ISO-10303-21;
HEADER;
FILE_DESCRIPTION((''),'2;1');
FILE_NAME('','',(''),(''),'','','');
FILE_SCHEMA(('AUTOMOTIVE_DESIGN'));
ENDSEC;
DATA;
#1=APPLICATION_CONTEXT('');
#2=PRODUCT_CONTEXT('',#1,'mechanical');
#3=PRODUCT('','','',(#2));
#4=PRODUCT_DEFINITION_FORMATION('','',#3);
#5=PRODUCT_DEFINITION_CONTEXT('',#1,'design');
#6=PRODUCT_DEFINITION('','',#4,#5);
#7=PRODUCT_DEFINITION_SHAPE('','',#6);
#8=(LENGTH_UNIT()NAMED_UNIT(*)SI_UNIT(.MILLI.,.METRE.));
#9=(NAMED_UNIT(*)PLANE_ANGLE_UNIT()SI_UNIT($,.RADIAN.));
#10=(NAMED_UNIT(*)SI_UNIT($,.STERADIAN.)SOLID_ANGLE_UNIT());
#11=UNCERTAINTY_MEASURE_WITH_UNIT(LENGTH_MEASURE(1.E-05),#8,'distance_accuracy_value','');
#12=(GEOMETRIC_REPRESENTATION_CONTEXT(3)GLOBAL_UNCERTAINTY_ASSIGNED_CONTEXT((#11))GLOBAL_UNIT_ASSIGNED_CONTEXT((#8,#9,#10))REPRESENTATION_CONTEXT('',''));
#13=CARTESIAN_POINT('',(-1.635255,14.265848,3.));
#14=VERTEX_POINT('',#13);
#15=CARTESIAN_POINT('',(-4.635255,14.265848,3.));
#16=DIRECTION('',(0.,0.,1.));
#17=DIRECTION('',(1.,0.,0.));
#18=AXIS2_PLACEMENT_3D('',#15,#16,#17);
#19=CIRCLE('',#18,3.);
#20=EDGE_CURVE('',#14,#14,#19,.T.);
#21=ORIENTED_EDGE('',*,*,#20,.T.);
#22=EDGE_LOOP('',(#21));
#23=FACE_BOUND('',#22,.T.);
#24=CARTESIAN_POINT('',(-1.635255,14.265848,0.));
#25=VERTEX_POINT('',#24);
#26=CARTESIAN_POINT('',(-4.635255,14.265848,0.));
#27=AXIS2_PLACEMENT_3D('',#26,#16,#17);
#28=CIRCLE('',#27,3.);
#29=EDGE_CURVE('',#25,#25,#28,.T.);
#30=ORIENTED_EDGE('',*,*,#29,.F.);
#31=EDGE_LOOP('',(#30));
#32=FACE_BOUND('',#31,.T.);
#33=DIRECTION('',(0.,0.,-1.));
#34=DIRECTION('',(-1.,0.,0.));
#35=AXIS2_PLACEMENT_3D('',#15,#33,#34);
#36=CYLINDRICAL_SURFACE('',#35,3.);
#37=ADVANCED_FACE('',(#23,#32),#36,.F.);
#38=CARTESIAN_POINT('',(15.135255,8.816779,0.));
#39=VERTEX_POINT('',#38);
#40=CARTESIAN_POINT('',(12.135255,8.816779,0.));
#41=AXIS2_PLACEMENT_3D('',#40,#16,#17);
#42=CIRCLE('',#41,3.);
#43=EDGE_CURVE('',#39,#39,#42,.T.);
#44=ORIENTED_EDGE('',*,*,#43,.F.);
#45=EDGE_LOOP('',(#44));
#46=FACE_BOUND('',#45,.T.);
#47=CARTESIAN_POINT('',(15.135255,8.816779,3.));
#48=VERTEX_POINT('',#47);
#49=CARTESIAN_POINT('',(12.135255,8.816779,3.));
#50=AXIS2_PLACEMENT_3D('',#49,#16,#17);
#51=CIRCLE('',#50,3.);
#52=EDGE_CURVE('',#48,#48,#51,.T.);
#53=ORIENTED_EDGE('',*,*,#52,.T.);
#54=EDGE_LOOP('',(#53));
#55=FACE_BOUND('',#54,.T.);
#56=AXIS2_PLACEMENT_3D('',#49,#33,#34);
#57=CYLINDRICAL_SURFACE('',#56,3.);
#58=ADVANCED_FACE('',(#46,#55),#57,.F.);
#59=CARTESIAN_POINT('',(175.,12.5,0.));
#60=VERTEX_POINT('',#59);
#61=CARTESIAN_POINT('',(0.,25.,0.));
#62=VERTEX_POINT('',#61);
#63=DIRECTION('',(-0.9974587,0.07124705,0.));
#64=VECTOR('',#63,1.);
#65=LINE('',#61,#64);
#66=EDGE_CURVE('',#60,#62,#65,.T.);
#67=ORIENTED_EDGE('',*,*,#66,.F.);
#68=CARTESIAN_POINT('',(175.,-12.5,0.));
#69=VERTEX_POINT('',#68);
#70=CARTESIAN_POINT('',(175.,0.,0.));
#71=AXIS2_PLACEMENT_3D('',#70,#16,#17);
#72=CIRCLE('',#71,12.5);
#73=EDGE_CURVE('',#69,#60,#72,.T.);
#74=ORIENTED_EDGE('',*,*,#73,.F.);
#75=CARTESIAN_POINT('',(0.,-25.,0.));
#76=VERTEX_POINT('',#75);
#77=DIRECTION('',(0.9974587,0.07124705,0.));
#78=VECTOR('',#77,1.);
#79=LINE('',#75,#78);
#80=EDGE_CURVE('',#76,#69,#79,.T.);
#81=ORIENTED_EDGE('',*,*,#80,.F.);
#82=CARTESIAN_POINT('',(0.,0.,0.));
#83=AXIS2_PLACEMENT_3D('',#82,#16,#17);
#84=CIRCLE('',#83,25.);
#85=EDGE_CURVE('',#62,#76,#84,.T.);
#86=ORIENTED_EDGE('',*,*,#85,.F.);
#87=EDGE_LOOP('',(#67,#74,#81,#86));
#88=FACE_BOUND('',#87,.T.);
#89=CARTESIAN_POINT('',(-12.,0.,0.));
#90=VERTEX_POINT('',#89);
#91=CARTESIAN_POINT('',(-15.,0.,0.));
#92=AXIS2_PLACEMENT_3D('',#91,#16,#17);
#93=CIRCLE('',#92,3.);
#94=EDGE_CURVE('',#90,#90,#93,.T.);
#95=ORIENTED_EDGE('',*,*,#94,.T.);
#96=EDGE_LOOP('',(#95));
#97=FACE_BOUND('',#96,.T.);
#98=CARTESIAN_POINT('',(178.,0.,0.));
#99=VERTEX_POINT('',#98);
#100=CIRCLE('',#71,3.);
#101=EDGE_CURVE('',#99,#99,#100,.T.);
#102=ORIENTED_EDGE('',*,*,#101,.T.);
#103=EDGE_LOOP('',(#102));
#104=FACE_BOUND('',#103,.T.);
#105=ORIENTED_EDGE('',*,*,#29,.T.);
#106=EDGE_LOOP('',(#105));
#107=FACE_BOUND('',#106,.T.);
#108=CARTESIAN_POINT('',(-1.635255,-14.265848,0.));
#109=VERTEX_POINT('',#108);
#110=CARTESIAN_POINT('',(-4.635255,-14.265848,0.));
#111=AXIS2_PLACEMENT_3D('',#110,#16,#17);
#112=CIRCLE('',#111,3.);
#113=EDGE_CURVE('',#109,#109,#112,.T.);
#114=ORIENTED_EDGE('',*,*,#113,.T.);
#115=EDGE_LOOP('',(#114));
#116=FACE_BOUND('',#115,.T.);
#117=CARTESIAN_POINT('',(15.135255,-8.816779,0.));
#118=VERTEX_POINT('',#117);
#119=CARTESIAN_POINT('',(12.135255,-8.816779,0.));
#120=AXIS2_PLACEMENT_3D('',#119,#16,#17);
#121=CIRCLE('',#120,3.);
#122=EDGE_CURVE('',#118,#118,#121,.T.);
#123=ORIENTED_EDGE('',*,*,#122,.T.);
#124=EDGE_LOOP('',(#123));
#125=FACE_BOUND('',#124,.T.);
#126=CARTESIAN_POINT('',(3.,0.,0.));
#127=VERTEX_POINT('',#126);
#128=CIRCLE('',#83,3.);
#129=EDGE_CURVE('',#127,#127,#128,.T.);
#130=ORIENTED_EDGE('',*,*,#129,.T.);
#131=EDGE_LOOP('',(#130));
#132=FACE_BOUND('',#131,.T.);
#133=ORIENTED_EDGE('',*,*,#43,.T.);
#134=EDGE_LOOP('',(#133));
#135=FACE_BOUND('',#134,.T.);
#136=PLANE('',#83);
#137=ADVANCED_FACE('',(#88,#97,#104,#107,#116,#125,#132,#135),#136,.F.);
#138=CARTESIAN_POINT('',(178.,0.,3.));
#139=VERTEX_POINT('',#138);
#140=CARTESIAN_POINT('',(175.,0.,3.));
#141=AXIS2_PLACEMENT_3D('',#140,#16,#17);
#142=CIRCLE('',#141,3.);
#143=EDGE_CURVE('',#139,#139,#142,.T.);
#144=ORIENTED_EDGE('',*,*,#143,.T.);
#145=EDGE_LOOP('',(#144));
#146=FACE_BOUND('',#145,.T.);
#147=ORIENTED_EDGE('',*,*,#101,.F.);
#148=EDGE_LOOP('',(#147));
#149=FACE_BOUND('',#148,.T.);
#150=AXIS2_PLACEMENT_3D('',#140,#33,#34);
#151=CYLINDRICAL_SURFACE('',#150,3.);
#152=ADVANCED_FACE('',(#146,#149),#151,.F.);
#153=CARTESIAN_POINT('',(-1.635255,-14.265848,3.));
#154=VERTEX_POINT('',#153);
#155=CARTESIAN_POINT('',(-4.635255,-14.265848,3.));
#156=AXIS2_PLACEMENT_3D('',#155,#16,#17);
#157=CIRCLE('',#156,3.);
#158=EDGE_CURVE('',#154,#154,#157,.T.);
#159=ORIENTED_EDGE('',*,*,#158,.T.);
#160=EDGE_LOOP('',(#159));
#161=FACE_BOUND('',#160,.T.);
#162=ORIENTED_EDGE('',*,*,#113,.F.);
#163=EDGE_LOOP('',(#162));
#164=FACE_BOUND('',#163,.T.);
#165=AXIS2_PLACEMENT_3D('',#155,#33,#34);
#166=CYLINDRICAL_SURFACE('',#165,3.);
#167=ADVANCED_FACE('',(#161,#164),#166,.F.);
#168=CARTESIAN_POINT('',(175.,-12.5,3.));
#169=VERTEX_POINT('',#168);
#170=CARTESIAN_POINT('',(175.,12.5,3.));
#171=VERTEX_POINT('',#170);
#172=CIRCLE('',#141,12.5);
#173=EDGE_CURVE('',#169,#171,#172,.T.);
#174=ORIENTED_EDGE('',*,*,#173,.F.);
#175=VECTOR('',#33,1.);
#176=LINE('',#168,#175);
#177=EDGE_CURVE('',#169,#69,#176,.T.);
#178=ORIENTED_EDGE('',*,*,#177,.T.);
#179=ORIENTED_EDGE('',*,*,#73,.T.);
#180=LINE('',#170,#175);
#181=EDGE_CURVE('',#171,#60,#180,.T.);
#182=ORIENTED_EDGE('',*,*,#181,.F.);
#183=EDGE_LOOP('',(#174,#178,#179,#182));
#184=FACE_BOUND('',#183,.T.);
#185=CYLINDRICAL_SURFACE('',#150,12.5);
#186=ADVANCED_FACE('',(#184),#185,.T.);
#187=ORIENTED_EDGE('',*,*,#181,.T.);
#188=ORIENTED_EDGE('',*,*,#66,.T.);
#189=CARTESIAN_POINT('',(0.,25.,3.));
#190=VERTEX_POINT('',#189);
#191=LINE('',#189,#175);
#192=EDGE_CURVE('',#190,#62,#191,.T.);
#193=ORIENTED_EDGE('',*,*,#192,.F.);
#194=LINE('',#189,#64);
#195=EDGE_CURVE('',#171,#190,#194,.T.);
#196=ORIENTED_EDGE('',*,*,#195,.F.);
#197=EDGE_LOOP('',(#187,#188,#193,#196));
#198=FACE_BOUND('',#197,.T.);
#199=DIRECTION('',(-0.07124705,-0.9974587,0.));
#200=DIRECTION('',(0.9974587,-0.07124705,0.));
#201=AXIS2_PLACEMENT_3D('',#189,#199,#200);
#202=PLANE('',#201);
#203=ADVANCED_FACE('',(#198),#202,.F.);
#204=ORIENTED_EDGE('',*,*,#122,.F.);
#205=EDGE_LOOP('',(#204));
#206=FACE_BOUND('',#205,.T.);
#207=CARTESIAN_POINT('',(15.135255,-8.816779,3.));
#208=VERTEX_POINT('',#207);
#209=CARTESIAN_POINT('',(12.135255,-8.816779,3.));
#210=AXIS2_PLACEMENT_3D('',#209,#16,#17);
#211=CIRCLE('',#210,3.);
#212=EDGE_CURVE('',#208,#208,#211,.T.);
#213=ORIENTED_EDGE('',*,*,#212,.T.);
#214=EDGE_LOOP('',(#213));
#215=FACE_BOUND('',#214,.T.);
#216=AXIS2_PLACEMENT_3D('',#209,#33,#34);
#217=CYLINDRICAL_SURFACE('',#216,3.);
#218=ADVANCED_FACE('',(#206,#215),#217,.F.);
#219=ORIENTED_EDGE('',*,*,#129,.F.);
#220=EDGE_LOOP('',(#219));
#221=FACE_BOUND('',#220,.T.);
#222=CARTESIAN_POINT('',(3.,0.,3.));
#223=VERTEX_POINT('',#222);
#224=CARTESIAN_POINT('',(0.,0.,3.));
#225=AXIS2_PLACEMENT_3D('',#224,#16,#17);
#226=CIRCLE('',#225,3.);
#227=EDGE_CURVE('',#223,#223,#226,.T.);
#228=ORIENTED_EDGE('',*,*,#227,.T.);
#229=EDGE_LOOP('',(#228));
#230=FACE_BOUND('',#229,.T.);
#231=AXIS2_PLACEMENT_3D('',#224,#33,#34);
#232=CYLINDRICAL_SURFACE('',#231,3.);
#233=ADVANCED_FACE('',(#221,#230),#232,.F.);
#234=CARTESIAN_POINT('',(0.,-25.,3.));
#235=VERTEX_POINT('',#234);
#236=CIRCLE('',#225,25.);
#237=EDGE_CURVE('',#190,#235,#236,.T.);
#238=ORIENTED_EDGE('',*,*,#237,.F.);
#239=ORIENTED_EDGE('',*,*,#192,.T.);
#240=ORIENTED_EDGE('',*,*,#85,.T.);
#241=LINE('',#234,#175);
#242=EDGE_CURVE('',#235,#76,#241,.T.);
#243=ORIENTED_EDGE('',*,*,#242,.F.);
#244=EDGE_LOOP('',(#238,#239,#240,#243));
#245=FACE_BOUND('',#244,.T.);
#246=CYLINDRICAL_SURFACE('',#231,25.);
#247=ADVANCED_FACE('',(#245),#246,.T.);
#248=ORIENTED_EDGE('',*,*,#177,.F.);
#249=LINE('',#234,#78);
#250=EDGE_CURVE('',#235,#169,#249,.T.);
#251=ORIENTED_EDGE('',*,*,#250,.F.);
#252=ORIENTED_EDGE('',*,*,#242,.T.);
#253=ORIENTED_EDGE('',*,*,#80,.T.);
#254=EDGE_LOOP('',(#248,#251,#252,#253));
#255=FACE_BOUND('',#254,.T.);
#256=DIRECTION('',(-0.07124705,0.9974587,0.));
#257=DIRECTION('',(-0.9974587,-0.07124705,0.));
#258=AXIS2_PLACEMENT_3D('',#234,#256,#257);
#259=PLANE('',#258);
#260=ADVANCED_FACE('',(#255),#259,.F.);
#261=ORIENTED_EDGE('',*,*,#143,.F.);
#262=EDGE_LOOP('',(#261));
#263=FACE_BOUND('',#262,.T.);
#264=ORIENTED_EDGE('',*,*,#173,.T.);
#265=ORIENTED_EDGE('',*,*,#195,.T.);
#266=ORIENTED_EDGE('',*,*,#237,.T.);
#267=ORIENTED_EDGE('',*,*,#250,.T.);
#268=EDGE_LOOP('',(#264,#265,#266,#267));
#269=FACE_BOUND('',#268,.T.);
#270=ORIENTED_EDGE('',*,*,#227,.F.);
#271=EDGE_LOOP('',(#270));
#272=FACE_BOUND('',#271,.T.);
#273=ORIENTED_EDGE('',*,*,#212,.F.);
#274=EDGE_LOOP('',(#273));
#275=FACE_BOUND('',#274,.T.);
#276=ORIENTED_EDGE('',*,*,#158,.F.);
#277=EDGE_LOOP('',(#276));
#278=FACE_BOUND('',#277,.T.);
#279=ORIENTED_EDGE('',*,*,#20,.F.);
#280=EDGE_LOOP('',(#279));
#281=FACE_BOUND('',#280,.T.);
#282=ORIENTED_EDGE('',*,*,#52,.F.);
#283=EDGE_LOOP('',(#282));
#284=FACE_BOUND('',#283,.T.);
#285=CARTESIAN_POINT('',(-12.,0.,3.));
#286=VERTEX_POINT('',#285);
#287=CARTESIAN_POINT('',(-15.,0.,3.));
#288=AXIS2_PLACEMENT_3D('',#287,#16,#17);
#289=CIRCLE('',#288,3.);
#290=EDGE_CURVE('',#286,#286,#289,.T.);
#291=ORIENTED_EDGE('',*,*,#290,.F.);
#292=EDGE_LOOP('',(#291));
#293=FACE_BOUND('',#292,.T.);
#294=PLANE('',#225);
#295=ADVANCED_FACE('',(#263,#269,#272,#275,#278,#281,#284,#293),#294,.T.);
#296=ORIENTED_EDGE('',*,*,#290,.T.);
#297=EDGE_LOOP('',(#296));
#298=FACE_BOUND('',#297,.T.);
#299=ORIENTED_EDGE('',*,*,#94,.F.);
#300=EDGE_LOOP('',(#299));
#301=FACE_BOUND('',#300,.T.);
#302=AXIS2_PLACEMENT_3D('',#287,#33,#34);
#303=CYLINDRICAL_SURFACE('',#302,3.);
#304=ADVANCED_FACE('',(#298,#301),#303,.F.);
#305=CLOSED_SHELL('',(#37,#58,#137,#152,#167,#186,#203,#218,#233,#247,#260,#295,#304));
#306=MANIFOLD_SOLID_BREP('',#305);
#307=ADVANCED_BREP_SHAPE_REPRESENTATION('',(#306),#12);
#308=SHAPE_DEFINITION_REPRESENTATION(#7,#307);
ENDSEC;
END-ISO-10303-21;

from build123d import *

# Parameters (mm, degrees)
SKETCH4_R           = 3
BOSS_EXTRUDE1_DEPTH = 3


with BuildPart() as part:
    # Sketch4 → Boss-Extrude1 (new body)
    with BuildSketch(Plane.XY):
        with BuildLine():
            Line((0, 25), (175, 12.5))
            ThreePointArc((175, 12.5), (187.5, 0), (175, -12.5))
            Line((175, -12.5), (0, -25))
            ThreePointArc((0, -25), (-25, 0), (0, 25))
        make_face()
        Circle(SKETCH4_R, mode=Mode.SUBTRACT)
        with Locations((175, 0)):
            Circle(SKETCH4_R, mode=Mode.SUBTRACT)
        with Locations((-15, 0)):
            Circle(SKETCH4_R, mode=Mode.SUBTRACT)
        with Locations((-4.635254916, 14.265847744)):
            Circle(SKETCH4_R, mode=Mode.SUBTRACT)
        with Locations((12.135254916, 8.816778784)):
            Circle(SKETCH4_R, mode=Mode.SUBTRACT)
        with Locations((12.135254916, -8.816778784)):
            Circle(SKETCH4_R, mode=Mode.SUBTRACT)
        with Locations((-4.635254916, -14.265847744)):
            Circle(SKETCH4_R, mode=Mode.SUBTRACT)
    extrude(amount=BOSS_EXTRUDE1_DEPTH)


solid = part.part
